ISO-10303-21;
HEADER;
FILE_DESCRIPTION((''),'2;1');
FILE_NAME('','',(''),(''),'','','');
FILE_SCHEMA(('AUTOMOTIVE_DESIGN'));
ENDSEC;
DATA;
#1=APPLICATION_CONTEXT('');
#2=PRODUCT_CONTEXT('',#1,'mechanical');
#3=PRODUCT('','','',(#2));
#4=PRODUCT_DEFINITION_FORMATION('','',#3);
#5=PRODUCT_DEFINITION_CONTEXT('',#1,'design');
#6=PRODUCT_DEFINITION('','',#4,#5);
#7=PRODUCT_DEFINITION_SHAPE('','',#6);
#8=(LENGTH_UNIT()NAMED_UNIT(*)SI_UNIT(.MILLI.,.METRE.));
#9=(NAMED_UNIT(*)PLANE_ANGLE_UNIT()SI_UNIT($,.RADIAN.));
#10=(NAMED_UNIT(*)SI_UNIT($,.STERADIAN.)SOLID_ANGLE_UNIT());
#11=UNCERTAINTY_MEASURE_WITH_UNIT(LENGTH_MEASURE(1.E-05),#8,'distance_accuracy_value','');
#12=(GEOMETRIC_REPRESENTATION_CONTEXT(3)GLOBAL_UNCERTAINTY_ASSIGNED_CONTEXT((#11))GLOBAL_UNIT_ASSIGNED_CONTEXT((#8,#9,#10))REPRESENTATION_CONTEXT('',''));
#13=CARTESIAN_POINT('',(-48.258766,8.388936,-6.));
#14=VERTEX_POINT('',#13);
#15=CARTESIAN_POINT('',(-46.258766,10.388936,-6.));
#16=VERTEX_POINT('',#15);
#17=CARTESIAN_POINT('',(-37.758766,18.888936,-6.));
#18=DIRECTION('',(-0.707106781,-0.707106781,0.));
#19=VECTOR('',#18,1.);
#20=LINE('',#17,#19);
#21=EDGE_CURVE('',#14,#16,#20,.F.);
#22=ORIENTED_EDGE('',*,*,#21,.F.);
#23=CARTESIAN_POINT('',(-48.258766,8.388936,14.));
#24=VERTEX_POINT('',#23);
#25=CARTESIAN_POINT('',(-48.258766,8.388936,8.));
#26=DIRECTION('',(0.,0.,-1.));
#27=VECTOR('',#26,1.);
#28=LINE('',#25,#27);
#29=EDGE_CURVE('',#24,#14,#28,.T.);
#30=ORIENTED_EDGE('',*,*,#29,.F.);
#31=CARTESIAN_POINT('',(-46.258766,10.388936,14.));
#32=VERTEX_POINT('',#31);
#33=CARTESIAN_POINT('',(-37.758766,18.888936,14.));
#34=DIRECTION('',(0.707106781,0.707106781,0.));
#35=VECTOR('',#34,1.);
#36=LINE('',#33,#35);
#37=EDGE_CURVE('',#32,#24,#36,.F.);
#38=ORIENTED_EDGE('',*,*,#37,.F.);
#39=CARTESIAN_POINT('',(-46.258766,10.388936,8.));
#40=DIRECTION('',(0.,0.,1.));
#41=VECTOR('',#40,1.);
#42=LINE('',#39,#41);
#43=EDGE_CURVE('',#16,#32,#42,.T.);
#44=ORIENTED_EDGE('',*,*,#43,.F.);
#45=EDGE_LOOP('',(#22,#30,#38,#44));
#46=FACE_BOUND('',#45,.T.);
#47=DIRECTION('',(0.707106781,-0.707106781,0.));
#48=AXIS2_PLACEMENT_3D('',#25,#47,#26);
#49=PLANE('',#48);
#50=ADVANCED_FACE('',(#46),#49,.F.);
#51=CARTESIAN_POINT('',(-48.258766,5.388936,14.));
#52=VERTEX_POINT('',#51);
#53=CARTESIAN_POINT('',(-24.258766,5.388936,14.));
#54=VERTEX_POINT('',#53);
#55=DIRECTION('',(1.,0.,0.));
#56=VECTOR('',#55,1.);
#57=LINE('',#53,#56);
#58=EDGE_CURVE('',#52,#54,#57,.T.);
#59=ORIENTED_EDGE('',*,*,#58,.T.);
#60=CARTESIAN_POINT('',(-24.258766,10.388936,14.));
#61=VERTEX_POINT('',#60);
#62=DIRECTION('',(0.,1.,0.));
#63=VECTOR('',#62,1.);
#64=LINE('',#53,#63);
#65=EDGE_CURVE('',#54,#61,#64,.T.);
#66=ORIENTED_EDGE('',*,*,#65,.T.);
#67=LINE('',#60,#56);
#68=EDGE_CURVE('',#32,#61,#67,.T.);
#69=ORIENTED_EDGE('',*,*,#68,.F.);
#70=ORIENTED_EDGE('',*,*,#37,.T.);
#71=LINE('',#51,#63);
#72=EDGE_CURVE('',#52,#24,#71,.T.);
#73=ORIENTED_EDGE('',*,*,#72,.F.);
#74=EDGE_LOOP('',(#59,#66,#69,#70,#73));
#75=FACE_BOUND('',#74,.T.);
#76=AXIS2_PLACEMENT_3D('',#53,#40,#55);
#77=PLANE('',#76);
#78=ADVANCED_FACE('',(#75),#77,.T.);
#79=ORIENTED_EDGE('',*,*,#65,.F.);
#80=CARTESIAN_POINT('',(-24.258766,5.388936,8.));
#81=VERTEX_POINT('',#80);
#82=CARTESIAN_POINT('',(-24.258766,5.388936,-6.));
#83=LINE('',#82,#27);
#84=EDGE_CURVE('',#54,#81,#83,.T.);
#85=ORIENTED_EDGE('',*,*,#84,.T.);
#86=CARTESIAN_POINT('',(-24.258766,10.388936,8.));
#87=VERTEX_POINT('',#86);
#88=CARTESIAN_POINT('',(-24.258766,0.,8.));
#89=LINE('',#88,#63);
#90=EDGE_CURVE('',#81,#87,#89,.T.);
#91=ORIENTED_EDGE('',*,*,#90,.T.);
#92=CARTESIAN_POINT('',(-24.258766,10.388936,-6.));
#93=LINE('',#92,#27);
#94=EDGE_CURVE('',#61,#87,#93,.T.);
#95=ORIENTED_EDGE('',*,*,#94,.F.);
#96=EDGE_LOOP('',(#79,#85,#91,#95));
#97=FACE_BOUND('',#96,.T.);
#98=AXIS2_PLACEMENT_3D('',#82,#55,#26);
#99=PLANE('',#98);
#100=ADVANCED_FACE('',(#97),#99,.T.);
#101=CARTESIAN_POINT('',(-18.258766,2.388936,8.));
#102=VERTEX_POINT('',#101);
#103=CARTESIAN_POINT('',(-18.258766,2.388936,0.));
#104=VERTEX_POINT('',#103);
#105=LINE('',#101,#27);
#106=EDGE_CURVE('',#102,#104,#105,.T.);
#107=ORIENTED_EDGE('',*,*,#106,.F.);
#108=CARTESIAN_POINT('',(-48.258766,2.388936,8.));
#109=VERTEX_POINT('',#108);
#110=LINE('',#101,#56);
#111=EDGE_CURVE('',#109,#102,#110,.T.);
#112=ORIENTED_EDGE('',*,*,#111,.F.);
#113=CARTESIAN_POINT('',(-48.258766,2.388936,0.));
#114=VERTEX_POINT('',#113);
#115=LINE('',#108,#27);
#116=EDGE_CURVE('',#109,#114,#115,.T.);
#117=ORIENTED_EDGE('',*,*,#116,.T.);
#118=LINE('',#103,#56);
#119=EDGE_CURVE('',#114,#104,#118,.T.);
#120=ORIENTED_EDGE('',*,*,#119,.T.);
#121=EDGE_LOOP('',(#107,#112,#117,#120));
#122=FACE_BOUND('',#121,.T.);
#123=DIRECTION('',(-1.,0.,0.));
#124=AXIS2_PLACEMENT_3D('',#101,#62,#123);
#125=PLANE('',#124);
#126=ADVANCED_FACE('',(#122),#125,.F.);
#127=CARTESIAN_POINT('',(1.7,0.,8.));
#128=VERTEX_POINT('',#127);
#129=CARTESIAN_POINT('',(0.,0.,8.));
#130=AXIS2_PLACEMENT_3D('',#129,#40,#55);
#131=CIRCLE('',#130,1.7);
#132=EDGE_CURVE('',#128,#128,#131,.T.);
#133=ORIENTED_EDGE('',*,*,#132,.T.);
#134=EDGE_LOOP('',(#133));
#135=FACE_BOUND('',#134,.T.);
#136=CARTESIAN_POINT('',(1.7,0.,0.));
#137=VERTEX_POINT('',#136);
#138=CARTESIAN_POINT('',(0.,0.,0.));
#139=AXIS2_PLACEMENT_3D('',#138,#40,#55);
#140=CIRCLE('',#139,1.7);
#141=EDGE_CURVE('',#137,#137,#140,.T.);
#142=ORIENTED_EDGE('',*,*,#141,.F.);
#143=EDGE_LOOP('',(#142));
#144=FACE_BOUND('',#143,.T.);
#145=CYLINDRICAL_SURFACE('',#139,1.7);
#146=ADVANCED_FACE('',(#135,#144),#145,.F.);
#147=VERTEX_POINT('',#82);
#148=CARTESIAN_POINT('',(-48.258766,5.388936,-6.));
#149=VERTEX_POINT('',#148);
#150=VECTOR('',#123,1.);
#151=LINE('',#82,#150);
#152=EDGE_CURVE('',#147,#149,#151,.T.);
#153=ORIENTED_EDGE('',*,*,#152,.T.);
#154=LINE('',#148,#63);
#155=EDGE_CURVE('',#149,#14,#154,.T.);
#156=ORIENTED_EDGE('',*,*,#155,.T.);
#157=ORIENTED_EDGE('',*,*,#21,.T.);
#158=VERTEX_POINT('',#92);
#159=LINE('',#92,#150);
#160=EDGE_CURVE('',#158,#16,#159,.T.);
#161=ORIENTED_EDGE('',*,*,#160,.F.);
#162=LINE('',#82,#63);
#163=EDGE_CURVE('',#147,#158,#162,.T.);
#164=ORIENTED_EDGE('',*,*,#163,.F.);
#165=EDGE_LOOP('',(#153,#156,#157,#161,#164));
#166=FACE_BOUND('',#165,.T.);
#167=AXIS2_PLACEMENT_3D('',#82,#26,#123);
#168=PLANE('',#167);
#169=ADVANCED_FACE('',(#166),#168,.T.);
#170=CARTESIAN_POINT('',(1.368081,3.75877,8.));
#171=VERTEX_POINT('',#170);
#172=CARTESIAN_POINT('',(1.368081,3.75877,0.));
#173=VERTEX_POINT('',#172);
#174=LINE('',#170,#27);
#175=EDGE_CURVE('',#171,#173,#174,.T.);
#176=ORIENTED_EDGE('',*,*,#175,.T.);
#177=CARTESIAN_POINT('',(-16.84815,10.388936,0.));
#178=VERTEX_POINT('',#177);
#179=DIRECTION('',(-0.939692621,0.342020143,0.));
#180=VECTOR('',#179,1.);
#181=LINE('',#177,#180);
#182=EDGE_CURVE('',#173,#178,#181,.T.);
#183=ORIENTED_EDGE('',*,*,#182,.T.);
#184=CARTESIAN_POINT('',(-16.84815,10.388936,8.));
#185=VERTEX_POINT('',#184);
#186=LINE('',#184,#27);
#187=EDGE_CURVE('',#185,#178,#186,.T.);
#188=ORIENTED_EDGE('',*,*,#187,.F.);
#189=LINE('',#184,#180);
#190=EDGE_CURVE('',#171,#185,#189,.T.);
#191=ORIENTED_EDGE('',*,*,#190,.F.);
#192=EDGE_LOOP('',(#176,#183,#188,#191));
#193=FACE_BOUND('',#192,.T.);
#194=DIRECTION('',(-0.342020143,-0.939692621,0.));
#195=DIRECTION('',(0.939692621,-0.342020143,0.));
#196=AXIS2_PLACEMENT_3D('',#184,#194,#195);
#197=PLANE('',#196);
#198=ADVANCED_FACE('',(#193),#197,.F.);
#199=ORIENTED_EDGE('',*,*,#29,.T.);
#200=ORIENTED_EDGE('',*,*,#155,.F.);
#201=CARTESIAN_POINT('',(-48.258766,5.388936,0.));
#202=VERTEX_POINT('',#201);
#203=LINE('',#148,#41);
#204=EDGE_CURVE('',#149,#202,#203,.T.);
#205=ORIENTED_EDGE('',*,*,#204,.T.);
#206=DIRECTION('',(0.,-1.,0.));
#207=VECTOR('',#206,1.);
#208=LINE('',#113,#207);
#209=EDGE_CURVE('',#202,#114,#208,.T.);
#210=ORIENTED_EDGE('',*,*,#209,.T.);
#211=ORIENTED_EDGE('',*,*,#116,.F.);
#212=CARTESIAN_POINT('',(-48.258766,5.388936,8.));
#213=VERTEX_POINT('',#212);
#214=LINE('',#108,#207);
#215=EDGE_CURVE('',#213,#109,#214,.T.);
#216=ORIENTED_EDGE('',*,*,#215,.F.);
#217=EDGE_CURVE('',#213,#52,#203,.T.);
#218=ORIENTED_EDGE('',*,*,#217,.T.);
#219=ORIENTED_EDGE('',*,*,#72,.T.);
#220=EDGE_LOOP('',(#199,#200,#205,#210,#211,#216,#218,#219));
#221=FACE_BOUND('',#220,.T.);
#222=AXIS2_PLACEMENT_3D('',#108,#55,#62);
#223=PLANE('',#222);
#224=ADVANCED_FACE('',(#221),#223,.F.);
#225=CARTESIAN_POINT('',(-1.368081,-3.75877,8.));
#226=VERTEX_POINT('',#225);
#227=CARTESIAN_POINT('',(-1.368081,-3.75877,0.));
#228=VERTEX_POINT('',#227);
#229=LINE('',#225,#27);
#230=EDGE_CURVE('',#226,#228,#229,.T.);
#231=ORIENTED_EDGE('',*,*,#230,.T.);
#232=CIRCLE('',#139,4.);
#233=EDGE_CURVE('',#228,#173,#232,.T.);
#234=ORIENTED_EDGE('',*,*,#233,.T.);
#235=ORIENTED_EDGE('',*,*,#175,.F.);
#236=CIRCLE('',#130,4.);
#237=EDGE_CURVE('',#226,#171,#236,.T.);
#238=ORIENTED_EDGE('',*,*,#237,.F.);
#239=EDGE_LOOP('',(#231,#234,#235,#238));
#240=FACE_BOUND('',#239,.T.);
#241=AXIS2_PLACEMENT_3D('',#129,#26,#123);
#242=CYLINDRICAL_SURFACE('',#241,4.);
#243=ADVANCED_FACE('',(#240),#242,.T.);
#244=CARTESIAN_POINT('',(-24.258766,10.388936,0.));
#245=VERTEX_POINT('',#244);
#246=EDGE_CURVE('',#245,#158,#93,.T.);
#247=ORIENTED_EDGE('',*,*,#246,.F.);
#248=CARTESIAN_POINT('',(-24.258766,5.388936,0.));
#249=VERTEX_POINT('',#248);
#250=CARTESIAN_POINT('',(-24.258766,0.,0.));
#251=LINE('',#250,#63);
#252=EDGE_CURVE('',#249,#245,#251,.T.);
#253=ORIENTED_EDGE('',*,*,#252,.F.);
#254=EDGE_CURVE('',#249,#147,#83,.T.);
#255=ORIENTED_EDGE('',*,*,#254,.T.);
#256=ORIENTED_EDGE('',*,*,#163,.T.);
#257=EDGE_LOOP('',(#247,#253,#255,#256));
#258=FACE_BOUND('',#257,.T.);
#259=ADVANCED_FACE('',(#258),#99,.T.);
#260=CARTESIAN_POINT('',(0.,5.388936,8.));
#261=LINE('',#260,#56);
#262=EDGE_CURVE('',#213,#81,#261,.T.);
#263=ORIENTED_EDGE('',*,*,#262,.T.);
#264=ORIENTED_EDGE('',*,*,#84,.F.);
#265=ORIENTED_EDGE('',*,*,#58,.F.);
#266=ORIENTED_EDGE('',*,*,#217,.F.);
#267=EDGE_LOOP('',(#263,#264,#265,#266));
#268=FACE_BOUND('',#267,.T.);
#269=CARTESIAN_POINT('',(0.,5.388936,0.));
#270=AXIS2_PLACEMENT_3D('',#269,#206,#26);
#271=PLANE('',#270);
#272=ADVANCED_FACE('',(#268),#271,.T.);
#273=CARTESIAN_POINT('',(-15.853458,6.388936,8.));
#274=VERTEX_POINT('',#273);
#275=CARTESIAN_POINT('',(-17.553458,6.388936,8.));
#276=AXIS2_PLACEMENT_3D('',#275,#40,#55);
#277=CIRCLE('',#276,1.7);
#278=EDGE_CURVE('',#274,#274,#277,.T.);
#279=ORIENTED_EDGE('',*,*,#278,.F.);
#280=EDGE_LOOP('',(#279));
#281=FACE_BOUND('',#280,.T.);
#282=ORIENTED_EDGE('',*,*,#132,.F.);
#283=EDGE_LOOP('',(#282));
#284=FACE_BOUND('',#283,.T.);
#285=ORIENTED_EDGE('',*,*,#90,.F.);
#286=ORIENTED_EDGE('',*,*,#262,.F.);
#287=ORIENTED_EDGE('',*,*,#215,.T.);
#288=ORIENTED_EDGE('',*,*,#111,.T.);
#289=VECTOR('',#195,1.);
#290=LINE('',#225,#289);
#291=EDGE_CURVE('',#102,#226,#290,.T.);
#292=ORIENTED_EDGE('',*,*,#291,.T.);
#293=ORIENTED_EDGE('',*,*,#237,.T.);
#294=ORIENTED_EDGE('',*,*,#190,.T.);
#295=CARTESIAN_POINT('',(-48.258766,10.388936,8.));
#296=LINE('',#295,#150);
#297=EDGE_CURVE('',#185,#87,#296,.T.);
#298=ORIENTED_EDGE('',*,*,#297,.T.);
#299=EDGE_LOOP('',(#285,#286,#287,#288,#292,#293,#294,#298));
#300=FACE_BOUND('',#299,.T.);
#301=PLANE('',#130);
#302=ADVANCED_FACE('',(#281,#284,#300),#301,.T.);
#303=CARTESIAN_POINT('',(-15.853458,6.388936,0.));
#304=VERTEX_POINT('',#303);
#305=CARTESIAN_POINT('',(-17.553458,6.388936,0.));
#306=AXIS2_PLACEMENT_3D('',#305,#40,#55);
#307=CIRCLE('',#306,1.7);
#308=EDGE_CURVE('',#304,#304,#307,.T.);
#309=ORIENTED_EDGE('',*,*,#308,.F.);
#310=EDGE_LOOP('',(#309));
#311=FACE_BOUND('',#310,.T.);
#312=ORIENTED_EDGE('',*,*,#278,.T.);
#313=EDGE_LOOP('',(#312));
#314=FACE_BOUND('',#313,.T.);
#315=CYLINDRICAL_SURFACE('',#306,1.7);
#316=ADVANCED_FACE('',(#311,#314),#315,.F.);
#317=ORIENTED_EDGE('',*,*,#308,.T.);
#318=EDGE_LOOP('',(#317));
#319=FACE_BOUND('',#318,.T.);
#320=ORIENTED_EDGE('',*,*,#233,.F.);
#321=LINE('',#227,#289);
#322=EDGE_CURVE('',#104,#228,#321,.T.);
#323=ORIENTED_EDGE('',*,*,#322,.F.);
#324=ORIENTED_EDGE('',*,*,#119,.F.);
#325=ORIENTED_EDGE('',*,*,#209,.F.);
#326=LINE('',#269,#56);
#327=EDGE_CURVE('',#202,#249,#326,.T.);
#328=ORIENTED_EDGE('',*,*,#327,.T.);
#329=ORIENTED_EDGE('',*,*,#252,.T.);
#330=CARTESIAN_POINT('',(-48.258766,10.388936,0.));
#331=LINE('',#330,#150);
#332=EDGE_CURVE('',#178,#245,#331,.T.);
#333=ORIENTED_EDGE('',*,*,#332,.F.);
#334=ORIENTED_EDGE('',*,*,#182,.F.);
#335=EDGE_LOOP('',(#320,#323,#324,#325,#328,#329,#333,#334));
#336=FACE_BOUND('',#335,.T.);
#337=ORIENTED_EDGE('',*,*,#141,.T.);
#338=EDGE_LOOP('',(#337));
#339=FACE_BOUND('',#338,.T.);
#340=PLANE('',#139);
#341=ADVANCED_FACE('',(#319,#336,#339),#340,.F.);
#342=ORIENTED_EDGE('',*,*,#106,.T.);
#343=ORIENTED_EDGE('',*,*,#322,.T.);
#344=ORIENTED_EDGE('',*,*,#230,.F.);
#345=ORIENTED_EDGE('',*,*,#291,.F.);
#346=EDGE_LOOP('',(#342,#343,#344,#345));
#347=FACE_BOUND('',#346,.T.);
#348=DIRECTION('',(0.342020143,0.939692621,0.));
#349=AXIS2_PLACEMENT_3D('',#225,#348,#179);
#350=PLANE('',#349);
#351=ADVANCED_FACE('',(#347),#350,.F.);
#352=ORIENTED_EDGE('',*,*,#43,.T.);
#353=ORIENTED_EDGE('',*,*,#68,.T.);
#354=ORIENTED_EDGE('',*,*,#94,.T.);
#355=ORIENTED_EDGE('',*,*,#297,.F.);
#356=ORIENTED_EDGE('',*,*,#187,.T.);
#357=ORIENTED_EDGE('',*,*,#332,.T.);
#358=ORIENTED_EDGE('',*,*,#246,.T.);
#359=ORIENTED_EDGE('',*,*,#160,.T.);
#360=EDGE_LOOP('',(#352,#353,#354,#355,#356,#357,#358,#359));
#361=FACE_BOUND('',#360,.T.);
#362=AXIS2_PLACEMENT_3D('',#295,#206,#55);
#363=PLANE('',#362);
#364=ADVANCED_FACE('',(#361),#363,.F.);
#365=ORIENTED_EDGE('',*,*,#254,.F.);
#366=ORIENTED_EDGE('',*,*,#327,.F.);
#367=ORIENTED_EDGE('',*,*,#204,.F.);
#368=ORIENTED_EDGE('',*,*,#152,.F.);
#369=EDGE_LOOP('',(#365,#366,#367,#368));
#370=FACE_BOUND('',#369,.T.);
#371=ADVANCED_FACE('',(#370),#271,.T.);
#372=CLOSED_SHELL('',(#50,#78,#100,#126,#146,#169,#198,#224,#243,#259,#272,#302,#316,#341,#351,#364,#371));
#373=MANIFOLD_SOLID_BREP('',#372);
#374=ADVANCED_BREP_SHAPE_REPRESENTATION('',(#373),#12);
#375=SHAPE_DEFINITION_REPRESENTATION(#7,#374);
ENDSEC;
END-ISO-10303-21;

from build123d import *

# Parameters (mm, degrees)
EXTRUDE_1_DEPTH     = 8
SKETCH_2_R          = 1.7
CUT_EXTRUDE_1_DEPTH = 8
SKETCH_3_R          = 1.7
CUT_EXTRUDE_2_DEPTH = 8
SKETCH_4_W          = 24
SKETCH_4_H          = 20
EXTRUDE_2_DEPTH     = 5
CHAMFER_1_SIZE      = 2


with BuildPart() as part:
    # 草图1 → 凸台-拉伸1 (new body)
    with BuildSketch(Plane.XY):
        with BuildLine():
            Line((-1.368080573, -3.758770483), (-18.258766079, 2.388936277))
            Line((-18.258766079, 2.388936277), (-48.258766079, 2.388936277))
            Line((-48.258766079, 2.388936277), (-48.258766079, 10.388936277))
            Line((-48.258766079, 10.388936277), (-16.848150233, 10.388936277))
            Line((-16.848150233, 10.388936277), (1.368080573, 3.758770483))
            ThreePointArc((1.368080573, 3.758770483), (3.758770483, -1.368080573), (-1.368080573, -3.758770483))
        make_face()
    extrude(amount=EXTRUDE_1_DEPTH)

    # 草图2 → 切除-拉伸1 (cut)
    with BuildSketch(Plane.XY.offset(8)):
        Circle(SKETCH_2_R)
    extrude(amount=-CUT_EXTRUDE_1_DEPTH, mode=Mode.SUBTRACT)

    # 草图3 → 切除-拉伸2 (cut)
    with BuildSketch(Plane.XY.offset(8)):
        with Locations((-17.553458156, 6.388936277)):
            Circle(SKETCH_3_R)
    extrude(amount=-CUT_EXTRUDE_2_DEPTH, mode=Mode.SUBTRACT)

    # 草图4 → 凸台-拉伸2 (add)
    with BuildSketch(Plane(origin=(0, 10.388936277, 0), x_dir=(1, 0, 0), z_dir=(0, 1, 0))):
        with Locations((-36.258766079, -4)):
            Rectangle(SKETCH_4_W, SKETCH_4_H)
    extrude(amount=-EXTRUDE_2_DEPTH)

    # 倒角1
    chamfer_1_edges = [part.edges().sort_by_distance(p)[0] for p in [
        (-48.258766079, 10.388936277, 4),
    ]]
    chamfer(chamfer_1_edges, length=CHAMFER_1_SIZE)


solid = part.part
